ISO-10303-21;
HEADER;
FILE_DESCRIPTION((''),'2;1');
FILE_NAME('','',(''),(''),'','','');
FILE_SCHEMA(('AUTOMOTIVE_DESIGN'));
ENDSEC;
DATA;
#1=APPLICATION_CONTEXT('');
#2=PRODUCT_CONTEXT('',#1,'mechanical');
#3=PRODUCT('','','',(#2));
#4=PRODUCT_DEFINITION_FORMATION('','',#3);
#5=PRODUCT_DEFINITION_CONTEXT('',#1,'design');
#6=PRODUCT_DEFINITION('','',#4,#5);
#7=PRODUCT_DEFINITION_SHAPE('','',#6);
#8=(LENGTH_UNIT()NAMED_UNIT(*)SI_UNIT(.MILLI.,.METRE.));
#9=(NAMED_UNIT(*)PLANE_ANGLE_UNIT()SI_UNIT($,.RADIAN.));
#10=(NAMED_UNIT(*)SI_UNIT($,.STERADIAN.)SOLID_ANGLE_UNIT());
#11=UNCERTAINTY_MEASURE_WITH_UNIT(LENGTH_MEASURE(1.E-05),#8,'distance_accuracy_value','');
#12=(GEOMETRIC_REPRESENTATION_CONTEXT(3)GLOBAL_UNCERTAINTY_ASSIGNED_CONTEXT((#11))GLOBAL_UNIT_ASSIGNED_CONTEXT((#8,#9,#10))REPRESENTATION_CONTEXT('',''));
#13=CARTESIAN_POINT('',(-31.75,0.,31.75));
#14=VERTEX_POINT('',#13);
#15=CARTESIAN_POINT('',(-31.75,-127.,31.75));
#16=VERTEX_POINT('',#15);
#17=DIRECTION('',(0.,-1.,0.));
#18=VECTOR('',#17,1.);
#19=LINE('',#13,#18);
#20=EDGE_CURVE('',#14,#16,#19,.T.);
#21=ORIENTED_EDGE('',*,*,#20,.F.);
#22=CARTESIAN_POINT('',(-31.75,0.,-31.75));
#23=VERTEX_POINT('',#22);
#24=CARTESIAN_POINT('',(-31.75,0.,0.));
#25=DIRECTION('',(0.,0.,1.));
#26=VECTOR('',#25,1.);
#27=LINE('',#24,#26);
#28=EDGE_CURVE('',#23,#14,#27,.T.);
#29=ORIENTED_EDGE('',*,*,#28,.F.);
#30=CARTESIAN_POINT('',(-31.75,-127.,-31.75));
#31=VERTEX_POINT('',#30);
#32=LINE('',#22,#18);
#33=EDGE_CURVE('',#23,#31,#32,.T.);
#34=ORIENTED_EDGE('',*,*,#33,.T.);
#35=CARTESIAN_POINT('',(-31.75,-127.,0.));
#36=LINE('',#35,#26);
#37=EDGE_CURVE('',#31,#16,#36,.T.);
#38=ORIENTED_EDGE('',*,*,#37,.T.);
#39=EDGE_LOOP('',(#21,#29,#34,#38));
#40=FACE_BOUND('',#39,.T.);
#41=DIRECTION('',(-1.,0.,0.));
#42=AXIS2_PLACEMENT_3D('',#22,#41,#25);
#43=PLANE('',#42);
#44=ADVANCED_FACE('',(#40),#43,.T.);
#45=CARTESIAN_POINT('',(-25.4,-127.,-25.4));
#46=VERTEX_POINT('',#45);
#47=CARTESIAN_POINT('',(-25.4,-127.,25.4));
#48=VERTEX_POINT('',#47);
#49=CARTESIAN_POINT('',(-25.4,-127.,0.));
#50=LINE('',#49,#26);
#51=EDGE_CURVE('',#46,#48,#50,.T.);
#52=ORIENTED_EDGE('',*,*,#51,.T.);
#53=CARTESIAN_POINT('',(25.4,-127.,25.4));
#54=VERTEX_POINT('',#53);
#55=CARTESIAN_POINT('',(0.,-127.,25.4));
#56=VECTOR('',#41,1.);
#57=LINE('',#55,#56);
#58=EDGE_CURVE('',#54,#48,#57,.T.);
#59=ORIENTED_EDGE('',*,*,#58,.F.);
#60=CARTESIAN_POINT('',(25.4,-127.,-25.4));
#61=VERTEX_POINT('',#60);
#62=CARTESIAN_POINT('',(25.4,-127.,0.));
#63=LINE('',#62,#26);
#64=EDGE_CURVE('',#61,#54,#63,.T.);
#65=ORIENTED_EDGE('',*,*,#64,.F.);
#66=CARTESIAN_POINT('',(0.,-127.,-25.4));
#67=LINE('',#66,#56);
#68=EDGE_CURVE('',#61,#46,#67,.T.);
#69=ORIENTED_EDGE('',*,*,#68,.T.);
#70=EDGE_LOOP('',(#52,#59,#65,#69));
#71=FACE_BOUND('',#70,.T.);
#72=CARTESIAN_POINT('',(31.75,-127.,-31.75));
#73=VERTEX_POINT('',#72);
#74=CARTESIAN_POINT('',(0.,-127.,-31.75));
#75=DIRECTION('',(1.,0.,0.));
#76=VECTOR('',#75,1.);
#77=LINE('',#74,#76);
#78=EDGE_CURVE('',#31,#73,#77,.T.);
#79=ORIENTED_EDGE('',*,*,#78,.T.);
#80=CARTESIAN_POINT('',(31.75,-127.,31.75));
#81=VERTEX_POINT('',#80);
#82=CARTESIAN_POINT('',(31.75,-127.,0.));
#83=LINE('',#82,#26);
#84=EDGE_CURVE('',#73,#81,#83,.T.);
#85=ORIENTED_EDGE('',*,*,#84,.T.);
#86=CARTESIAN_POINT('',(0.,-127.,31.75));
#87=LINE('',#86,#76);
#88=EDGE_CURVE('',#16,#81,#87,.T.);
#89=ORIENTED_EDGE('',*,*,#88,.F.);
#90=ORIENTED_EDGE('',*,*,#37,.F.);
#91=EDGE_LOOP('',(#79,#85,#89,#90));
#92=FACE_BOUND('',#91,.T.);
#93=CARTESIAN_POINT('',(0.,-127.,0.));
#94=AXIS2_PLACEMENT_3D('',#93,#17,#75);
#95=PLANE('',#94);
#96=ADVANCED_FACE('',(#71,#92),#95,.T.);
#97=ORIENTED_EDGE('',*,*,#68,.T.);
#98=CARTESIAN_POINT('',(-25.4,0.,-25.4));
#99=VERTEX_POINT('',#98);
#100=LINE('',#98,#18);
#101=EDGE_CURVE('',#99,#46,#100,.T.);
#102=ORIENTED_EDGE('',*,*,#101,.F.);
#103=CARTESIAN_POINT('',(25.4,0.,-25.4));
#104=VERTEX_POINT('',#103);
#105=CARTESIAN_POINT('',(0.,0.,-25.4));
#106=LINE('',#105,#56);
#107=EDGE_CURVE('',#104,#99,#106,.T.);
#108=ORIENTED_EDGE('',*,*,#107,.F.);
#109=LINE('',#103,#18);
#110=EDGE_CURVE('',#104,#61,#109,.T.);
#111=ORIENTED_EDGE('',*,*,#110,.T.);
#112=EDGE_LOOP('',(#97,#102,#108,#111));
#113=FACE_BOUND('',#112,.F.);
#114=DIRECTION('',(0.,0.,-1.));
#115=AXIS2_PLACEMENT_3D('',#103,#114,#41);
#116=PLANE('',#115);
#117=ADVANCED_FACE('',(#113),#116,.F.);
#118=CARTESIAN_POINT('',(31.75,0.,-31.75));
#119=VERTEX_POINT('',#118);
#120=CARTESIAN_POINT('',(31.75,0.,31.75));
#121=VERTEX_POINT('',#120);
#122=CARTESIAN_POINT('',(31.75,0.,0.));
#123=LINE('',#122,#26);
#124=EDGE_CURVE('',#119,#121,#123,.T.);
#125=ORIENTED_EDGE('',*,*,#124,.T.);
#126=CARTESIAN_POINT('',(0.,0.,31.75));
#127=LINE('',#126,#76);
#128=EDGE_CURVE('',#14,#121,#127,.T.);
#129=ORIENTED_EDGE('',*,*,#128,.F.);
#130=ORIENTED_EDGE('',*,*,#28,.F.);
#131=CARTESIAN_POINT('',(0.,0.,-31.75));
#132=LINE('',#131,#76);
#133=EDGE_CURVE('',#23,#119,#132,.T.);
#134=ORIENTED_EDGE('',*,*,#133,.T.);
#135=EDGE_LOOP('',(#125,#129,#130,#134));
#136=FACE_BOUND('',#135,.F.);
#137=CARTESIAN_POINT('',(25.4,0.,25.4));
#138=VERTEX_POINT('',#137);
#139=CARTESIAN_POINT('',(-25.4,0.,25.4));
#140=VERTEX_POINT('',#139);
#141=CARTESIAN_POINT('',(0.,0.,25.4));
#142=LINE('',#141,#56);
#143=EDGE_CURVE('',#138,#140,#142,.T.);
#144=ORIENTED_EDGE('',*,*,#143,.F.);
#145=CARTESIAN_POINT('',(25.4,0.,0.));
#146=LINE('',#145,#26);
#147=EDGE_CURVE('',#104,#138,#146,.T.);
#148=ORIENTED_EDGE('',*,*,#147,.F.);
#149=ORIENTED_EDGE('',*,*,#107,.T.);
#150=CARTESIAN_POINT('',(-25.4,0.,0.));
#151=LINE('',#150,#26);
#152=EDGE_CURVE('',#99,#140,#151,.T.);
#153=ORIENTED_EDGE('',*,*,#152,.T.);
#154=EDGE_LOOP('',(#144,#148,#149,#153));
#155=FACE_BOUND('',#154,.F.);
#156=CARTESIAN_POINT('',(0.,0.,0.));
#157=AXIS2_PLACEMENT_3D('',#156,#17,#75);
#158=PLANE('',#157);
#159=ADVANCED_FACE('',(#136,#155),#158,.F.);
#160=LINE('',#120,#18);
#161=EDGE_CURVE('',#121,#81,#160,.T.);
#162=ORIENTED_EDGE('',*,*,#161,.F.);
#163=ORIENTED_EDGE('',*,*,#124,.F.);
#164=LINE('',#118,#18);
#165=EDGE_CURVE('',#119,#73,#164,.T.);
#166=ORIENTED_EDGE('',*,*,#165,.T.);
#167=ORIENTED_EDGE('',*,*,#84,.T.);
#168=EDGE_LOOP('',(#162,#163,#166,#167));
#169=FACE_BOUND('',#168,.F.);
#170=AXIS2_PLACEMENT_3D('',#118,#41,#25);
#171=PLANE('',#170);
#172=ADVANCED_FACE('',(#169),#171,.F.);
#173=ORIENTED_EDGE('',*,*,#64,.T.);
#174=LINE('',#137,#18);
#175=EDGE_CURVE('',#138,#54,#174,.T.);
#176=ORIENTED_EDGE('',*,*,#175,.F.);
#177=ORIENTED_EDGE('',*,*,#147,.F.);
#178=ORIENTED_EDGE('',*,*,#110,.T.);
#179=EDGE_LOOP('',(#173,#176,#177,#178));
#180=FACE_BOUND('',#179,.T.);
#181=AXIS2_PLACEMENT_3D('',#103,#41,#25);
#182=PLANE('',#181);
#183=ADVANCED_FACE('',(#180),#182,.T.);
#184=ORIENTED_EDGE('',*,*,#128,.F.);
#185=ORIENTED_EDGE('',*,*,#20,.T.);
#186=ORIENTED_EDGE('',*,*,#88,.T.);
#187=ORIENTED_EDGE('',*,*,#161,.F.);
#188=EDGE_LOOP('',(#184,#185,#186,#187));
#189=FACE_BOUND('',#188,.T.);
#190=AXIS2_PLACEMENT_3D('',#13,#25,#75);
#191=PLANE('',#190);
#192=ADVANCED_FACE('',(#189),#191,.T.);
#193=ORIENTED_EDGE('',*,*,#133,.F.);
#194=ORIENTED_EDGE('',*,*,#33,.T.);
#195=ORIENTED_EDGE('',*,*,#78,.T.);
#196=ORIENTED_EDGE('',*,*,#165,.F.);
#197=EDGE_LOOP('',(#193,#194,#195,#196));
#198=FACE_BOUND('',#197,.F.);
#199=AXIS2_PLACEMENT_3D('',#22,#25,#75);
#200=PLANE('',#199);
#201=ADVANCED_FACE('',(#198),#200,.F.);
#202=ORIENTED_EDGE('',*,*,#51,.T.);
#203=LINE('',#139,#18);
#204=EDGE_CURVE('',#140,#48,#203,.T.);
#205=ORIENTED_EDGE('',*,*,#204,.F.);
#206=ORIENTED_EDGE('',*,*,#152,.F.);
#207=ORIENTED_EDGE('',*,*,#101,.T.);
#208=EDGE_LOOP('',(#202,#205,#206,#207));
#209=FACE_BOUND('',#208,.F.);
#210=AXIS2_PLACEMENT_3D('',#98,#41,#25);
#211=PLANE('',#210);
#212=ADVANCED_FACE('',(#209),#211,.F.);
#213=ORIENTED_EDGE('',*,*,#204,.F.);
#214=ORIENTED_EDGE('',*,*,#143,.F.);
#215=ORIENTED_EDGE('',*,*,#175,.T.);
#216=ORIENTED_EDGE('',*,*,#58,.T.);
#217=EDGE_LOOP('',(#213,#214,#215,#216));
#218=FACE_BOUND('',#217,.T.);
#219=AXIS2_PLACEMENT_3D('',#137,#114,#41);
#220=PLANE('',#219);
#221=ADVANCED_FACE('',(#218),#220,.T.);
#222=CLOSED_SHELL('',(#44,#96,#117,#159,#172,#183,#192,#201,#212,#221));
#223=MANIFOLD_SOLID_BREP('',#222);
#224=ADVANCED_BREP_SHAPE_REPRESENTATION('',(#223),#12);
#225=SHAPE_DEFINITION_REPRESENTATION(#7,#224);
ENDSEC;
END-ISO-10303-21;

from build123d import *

# Parameters (mm, degrees)
F0_W     = 63.5
F0_H     = 63.5
F1_DEPTH = 127
F2_W     = 50.8
F2_H     = 50.8
F3_DEPTH = 127


with BuildPart() as f1:
    # F0 (on Front) → F1 (new body)
    with BuildSketch(Plane.XZ):
        Rectangle(F0_W, F0_H)
    extrude(amount=F1_DEPTH)

    # F2 (on face) → F3 (cut)
    with BuildSketch(Plane(origin=(0, 0, 0), x_dir=(-1, 0, 0), z_dir=(0, 1, 0))):
        Rectangle(F2_W, F2_H)
    extrude(amount=-F3_DEPTH, mode=Mode.SUBTRACT)


solid = f1.part
